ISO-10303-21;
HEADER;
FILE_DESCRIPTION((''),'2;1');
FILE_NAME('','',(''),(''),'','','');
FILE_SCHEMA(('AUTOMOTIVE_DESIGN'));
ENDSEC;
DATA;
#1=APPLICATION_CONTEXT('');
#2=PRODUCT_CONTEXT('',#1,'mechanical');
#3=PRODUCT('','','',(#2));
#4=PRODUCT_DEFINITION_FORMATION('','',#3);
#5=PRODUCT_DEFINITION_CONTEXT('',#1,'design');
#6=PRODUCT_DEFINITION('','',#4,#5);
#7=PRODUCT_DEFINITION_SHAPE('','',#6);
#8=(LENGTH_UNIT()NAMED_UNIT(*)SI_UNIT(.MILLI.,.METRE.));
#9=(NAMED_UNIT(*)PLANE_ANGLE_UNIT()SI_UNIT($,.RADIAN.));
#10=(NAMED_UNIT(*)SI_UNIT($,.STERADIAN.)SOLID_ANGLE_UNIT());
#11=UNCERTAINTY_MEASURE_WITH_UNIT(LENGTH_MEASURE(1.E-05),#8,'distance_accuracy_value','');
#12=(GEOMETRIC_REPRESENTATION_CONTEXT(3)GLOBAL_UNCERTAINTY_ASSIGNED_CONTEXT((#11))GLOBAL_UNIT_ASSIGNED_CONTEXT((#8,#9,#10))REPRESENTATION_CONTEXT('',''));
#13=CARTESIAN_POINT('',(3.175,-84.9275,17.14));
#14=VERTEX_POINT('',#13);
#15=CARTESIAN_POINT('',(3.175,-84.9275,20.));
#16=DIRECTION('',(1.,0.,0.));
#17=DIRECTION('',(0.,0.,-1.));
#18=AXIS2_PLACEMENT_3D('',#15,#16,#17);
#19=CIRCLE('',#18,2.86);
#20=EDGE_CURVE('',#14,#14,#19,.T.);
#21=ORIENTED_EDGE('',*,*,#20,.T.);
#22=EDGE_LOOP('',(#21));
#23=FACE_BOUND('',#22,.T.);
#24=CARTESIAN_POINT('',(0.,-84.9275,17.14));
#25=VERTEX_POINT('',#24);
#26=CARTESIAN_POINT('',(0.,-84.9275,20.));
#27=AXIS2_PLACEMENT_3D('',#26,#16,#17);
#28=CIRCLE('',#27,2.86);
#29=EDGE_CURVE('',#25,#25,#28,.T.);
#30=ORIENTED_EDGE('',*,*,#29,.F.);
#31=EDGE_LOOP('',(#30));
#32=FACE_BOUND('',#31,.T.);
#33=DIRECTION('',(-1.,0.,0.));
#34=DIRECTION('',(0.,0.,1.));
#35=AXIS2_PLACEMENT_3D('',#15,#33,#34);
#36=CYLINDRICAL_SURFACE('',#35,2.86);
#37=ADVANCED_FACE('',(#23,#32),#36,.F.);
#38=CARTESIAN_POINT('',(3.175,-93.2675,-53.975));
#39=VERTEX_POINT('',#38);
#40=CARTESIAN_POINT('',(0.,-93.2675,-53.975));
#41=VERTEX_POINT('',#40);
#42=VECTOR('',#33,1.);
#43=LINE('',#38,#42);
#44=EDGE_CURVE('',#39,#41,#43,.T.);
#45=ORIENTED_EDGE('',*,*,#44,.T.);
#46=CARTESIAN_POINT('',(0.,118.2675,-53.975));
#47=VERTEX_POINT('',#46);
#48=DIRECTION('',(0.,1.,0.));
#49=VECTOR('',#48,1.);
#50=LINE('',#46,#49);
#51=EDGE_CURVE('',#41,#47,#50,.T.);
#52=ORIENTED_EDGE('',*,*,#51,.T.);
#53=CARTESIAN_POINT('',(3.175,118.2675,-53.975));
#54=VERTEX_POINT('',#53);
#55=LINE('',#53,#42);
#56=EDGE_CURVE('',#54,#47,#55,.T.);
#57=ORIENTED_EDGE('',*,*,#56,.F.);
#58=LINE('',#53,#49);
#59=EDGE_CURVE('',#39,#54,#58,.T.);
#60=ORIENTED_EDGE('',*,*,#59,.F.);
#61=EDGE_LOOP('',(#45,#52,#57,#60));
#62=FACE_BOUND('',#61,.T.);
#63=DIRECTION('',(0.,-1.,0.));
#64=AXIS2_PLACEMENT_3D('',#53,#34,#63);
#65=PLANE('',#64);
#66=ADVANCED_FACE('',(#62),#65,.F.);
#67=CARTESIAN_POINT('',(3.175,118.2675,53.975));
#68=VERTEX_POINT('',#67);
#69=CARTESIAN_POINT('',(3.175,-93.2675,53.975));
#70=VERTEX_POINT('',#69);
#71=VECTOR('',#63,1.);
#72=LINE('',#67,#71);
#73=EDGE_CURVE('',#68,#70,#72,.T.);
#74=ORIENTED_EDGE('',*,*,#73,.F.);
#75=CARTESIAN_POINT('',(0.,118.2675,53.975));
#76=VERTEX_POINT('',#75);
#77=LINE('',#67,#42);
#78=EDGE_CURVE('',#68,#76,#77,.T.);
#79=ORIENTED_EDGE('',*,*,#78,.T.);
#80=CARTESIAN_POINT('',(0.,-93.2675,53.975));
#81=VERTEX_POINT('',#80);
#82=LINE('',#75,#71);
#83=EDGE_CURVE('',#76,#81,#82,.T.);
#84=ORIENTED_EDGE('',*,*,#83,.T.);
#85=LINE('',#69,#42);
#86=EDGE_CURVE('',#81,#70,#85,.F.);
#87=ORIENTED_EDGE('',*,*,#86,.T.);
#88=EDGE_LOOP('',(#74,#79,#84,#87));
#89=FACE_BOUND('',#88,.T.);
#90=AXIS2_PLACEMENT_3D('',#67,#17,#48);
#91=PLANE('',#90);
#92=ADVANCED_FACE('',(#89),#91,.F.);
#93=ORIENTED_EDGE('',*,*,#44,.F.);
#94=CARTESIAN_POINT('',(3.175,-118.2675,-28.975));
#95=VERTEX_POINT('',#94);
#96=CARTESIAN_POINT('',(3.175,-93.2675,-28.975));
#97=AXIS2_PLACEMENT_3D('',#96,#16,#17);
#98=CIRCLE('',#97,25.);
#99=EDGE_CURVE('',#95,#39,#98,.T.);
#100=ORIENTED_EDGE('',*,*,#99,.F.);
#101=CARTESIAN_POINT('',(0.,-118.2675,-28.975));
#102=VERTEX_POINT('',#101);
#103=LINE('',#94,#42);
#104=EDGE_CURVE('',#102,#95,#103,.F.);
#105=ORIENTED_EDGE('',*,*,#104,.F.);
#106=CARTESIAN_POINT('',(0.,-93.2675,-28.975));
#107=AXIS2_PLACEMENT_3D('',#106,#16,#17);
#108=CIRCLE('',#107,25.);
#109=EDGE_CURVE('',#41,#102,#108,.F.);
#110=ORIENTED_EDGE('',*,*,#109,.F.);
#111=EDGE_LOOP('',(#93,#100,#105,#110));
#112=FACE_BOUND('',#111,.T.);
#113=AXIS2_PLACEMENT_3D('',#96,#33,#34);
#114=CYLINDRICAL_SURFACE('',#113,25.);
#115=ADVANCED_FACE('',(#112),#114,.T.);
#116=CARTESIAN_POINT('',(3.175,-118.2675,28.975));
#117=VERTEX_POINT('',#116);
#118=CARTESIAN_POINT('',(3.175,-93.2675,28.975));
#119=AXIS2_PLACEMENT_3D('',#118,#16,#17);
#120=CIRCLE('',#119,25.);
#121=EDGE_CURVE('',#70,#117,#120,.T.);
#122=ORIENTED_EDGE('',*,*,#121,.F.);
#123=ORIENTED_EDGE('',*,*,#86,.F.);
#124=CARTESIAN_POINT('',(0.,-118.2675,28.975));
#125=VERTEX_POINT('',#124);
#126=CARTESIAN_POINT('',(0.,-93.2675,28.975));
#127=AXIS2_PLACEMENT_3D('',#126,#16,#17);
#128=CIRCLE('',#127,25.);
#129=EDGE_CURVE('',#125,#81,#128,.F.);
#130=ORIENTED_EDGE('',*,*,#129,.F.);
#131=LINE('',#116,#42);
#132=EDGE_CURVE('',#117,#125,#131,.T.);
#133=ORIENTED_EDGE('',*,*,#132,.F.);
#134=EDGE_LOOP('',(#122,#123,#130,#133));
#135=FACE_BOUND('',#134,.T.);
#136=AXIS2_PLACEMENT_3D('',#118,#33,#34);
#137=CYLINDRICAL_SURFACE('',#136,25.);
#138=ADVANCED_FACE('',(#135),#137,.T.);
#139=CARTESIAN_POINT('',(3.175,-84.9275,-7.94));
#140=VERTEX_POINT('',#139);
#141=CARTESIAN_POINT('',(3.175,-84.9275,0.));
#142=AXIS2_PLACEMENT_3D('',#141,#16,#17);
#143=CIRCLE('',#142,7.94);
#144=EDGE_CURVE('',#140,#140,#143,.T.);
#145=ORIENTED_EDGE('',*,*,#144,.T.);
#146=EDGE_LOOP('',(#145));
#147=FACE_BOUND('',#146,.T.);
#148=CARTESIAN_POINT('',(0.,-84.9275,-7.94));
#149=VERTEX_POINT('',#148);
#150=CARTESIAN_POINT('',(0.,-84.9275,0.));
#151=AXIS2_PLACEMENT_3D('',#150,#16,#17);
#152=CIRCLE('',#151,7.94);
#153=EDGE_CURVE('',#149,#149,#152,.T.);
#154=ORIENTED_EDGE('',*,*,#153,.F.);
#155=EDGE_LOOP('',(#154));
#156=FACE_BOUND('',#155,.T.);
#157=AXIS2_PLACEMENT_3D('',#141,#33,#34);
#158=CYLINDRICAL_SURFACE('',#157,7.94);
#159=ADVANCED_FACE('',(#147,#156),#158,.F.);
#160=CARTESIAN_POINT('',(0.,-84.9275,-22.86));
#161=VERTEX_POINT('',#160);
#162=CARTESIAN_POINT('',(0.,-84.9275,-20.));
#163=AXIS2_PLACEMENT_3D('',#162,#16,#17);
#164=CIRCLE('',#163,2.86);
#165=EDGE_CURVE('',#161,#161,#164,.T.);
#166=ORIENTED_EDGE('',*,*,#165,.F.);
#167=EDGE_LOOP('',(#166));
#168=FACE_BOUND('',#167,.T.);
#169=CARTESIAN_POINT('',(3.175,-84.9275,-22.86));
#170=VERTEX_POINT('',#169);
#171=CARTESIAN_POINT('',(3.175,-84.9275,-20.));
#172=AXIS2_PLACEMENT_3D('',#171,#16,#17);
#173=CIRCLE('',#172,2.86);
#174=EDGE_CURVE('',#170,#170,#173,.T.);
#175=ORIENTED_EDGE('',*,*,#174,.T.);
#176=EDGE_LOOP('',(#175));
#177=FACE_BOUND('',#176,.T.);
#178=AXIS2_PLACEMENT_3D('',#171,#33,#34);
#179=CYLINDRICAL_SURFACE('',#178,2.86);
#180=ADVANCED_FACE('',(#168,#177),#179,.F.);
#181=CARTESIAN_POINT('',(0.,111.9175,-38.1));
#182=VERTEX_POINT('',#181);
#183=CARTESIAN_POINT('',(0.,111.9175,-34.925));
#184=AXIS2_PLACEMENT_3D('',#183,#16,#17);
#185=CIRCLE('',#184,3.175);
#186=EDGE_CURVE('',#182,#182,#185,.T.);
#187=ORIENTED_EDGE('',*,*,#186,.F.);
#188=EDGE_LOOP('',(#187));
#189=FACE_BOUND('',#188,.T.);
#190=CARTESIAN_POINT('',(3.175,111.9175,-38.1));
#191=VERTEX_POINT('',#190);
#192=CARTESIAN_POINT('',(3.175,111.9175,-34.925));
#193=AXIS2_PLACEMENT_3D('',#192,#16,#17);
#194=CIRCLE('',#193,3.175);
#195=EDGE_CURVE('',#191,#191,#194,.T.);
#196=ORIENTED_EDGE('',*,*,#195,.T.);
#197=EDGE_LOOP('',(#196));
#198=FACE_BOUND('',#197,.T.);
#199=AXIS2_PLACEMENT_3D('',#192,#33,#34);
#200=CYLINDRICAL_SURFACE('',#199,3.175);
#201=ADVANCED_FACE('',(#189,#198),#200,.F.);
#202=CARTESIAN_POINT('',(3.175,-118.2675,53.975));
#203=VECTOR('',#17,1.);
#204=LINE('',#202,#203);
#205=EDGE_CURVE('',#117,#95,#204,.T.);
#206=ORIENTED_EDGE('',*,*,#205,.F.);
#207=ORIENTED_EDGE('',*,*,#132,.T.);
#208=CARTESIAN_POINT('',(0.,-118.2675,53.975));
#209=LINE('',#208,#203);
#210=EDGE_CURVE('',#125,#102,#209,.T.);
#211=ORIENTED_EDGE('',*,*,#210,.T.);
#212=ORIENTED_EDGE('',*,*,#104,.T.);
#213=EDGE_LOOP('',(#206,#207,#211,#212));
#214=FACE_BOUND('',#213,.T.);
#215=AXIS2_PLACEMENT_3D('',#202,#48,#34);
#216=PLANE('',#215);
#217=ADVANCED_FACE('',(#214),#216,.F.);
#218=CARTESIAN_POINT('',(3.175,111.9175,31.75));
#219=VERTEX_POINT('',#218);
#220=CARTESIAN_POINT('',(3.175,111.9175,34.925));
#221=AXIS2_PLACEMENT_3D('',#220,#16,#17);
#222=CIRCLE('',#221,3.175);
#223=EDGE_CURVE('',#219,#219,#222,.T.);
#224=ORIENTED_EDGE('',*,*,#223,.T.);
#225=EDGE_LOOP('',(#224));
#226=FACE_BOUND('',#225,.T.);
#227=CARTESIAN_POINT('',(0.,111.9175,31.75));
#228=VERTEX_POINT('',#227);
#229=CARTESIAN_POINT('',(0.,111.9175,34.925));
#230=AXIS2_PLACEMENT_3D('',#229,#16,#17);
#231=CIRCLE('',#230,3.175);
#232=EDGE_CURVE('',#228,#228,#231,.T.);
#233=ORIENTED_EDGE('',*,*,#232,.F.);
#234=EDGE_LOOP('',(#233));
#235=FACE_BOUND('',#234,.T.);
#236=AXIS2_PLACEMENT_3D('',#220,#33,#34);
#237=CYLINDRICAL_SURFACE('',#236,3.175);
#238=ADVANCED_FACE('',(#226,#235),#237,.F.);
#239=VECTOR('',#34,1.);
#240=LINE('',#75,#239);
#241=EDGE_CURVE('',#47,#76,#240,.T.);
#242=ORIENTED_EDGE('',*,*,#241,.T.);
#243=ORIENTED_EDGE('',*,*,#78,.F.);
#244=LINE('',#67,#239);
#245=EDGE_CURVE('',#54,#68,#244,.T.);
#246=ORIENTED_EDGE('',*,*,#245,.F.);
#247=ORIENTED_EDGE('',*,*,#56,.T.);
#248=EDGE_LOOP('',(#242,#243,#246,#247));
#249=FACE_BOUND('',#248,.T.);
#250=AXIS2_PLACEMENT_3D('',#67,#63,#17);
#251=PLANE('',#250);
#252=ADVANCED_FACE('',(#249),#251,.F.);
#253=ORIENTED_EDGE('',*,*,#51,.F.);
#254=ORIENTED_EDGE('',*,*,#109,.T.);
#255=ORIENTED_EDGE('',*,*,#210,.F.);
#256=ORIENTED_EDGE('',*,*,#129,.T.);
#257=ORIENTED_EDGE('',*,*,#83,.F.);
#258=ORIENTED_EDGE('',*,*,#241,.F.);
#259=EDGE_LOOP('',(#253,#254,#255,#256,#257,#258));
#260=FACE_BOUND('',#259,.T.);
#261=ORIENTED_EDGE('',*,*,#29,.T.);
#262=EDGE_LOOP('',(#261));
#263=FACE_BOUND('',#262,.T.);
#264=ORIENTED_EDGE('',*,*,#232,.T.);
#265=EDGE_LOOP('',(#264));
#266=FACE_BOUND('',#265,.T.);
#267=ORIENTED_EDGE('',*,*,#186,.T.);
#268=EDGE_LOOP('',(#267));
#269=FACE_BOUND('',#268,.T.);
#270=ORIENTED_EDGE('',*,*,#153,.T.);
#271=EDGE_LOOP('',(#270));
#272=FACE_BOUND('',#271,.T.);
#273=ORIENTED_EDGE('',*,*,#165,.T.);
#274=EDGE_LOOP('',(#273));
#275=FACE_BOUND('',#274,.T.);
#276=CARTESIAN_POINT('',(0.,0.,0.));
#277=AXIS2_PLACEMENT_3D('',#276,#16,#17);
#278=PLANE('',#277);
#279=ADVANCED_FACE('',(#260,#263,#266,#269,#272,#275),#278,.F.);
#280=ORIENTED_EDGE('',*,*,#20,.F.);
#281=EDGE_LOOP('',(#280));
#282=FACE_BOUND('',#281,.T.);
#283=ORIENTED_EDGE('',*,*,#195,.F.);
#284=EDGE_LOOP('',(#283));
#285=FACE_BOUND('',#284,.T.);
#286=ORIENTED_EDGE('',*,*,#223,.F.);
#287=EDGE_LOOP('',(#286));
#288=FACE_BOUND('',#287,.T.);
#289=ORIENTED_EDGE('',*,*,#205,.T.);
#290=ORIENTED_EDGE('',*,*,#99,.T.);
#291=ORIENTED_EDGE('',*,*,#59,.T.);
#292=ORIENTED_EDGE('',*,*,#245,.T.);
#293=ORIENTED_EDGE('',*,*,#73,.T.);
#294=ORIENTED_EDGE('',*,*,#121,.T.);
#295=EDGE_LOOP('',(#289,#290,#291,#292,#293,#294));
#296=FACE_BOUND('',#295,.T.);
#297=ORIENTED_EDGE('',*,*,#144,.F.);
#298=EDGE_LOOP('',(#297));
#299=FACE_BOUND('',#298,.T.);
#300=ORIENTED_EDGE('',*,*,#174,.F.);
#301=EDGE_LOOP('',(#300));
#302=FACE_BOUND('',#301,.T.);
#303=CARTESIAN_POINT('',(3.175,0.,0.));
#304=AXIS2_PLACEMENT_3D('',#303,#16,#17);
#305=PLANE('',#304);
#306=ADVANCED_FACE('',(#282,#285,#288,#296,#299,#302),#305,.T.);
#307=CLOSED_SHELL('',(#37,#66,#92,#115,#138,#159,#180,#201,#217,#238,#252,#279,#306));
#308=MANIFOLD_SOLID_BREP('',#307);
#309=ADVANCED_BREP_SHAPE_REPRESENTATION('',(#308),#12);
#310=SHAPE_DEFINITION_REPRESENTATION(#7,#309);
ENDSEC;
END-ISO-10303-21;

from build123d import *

# Parameters (mm, degrees)
SKETCH1_W           = 107.95
SKETCH1_H           = 236.535
SKETCH1_R           = 7.94
SKETCH1_R_2         = 2.86
SKETCH1_R_3         = 3.175
BOSS_EXTRUDE1_DEPTH = 3.175
FILLET1_R           = 25


with BuildPart() as part:
    # Sketch1 → Boss-Extrude1 (new body)
    with BuildSketch(Plane(origin=(0, 0, 0), x_dir=(0, 0, -1), z_dir=(1, 0, 0))):
        Rectangle(SKETCH1_W, SKETCH1_H)
        with Locations((0, -84.9275)):
            Circle(SKETCH1_R, mode=Mode.SUBTRACT)
        with Locations((20, -84.9275)):
            Circle(SKETCH1_R_2, mode=Mode.SUBTRACT)
        with Locations((-20, -84.9275)):
            Circle(SKETCH1_R_2, mode=Mode.SUBTRACT)
        with Locations((-34.925, 111.9175)):
            Circle(SKETCH1_R_3, mode=Mode.SUBTRACT)
        with Locations((34.925, 111.9175)):
            Circle(SKETCH1_R_3, mode=Mode.SUBTRACT)
    extrude(amount=BOSS_EXTRUDE1_DEPTH)

    # Fillet1
    fillet1_edges = [part.edges().sort_by_distance(p)[0] for p in [
        (1.5875, -118.2675, -53.975),
        (1.5875, -118.2675, 53.975),
    ]]
    fillet(fillet1_edges, radius=FILLET1_R)


solid = part.part
